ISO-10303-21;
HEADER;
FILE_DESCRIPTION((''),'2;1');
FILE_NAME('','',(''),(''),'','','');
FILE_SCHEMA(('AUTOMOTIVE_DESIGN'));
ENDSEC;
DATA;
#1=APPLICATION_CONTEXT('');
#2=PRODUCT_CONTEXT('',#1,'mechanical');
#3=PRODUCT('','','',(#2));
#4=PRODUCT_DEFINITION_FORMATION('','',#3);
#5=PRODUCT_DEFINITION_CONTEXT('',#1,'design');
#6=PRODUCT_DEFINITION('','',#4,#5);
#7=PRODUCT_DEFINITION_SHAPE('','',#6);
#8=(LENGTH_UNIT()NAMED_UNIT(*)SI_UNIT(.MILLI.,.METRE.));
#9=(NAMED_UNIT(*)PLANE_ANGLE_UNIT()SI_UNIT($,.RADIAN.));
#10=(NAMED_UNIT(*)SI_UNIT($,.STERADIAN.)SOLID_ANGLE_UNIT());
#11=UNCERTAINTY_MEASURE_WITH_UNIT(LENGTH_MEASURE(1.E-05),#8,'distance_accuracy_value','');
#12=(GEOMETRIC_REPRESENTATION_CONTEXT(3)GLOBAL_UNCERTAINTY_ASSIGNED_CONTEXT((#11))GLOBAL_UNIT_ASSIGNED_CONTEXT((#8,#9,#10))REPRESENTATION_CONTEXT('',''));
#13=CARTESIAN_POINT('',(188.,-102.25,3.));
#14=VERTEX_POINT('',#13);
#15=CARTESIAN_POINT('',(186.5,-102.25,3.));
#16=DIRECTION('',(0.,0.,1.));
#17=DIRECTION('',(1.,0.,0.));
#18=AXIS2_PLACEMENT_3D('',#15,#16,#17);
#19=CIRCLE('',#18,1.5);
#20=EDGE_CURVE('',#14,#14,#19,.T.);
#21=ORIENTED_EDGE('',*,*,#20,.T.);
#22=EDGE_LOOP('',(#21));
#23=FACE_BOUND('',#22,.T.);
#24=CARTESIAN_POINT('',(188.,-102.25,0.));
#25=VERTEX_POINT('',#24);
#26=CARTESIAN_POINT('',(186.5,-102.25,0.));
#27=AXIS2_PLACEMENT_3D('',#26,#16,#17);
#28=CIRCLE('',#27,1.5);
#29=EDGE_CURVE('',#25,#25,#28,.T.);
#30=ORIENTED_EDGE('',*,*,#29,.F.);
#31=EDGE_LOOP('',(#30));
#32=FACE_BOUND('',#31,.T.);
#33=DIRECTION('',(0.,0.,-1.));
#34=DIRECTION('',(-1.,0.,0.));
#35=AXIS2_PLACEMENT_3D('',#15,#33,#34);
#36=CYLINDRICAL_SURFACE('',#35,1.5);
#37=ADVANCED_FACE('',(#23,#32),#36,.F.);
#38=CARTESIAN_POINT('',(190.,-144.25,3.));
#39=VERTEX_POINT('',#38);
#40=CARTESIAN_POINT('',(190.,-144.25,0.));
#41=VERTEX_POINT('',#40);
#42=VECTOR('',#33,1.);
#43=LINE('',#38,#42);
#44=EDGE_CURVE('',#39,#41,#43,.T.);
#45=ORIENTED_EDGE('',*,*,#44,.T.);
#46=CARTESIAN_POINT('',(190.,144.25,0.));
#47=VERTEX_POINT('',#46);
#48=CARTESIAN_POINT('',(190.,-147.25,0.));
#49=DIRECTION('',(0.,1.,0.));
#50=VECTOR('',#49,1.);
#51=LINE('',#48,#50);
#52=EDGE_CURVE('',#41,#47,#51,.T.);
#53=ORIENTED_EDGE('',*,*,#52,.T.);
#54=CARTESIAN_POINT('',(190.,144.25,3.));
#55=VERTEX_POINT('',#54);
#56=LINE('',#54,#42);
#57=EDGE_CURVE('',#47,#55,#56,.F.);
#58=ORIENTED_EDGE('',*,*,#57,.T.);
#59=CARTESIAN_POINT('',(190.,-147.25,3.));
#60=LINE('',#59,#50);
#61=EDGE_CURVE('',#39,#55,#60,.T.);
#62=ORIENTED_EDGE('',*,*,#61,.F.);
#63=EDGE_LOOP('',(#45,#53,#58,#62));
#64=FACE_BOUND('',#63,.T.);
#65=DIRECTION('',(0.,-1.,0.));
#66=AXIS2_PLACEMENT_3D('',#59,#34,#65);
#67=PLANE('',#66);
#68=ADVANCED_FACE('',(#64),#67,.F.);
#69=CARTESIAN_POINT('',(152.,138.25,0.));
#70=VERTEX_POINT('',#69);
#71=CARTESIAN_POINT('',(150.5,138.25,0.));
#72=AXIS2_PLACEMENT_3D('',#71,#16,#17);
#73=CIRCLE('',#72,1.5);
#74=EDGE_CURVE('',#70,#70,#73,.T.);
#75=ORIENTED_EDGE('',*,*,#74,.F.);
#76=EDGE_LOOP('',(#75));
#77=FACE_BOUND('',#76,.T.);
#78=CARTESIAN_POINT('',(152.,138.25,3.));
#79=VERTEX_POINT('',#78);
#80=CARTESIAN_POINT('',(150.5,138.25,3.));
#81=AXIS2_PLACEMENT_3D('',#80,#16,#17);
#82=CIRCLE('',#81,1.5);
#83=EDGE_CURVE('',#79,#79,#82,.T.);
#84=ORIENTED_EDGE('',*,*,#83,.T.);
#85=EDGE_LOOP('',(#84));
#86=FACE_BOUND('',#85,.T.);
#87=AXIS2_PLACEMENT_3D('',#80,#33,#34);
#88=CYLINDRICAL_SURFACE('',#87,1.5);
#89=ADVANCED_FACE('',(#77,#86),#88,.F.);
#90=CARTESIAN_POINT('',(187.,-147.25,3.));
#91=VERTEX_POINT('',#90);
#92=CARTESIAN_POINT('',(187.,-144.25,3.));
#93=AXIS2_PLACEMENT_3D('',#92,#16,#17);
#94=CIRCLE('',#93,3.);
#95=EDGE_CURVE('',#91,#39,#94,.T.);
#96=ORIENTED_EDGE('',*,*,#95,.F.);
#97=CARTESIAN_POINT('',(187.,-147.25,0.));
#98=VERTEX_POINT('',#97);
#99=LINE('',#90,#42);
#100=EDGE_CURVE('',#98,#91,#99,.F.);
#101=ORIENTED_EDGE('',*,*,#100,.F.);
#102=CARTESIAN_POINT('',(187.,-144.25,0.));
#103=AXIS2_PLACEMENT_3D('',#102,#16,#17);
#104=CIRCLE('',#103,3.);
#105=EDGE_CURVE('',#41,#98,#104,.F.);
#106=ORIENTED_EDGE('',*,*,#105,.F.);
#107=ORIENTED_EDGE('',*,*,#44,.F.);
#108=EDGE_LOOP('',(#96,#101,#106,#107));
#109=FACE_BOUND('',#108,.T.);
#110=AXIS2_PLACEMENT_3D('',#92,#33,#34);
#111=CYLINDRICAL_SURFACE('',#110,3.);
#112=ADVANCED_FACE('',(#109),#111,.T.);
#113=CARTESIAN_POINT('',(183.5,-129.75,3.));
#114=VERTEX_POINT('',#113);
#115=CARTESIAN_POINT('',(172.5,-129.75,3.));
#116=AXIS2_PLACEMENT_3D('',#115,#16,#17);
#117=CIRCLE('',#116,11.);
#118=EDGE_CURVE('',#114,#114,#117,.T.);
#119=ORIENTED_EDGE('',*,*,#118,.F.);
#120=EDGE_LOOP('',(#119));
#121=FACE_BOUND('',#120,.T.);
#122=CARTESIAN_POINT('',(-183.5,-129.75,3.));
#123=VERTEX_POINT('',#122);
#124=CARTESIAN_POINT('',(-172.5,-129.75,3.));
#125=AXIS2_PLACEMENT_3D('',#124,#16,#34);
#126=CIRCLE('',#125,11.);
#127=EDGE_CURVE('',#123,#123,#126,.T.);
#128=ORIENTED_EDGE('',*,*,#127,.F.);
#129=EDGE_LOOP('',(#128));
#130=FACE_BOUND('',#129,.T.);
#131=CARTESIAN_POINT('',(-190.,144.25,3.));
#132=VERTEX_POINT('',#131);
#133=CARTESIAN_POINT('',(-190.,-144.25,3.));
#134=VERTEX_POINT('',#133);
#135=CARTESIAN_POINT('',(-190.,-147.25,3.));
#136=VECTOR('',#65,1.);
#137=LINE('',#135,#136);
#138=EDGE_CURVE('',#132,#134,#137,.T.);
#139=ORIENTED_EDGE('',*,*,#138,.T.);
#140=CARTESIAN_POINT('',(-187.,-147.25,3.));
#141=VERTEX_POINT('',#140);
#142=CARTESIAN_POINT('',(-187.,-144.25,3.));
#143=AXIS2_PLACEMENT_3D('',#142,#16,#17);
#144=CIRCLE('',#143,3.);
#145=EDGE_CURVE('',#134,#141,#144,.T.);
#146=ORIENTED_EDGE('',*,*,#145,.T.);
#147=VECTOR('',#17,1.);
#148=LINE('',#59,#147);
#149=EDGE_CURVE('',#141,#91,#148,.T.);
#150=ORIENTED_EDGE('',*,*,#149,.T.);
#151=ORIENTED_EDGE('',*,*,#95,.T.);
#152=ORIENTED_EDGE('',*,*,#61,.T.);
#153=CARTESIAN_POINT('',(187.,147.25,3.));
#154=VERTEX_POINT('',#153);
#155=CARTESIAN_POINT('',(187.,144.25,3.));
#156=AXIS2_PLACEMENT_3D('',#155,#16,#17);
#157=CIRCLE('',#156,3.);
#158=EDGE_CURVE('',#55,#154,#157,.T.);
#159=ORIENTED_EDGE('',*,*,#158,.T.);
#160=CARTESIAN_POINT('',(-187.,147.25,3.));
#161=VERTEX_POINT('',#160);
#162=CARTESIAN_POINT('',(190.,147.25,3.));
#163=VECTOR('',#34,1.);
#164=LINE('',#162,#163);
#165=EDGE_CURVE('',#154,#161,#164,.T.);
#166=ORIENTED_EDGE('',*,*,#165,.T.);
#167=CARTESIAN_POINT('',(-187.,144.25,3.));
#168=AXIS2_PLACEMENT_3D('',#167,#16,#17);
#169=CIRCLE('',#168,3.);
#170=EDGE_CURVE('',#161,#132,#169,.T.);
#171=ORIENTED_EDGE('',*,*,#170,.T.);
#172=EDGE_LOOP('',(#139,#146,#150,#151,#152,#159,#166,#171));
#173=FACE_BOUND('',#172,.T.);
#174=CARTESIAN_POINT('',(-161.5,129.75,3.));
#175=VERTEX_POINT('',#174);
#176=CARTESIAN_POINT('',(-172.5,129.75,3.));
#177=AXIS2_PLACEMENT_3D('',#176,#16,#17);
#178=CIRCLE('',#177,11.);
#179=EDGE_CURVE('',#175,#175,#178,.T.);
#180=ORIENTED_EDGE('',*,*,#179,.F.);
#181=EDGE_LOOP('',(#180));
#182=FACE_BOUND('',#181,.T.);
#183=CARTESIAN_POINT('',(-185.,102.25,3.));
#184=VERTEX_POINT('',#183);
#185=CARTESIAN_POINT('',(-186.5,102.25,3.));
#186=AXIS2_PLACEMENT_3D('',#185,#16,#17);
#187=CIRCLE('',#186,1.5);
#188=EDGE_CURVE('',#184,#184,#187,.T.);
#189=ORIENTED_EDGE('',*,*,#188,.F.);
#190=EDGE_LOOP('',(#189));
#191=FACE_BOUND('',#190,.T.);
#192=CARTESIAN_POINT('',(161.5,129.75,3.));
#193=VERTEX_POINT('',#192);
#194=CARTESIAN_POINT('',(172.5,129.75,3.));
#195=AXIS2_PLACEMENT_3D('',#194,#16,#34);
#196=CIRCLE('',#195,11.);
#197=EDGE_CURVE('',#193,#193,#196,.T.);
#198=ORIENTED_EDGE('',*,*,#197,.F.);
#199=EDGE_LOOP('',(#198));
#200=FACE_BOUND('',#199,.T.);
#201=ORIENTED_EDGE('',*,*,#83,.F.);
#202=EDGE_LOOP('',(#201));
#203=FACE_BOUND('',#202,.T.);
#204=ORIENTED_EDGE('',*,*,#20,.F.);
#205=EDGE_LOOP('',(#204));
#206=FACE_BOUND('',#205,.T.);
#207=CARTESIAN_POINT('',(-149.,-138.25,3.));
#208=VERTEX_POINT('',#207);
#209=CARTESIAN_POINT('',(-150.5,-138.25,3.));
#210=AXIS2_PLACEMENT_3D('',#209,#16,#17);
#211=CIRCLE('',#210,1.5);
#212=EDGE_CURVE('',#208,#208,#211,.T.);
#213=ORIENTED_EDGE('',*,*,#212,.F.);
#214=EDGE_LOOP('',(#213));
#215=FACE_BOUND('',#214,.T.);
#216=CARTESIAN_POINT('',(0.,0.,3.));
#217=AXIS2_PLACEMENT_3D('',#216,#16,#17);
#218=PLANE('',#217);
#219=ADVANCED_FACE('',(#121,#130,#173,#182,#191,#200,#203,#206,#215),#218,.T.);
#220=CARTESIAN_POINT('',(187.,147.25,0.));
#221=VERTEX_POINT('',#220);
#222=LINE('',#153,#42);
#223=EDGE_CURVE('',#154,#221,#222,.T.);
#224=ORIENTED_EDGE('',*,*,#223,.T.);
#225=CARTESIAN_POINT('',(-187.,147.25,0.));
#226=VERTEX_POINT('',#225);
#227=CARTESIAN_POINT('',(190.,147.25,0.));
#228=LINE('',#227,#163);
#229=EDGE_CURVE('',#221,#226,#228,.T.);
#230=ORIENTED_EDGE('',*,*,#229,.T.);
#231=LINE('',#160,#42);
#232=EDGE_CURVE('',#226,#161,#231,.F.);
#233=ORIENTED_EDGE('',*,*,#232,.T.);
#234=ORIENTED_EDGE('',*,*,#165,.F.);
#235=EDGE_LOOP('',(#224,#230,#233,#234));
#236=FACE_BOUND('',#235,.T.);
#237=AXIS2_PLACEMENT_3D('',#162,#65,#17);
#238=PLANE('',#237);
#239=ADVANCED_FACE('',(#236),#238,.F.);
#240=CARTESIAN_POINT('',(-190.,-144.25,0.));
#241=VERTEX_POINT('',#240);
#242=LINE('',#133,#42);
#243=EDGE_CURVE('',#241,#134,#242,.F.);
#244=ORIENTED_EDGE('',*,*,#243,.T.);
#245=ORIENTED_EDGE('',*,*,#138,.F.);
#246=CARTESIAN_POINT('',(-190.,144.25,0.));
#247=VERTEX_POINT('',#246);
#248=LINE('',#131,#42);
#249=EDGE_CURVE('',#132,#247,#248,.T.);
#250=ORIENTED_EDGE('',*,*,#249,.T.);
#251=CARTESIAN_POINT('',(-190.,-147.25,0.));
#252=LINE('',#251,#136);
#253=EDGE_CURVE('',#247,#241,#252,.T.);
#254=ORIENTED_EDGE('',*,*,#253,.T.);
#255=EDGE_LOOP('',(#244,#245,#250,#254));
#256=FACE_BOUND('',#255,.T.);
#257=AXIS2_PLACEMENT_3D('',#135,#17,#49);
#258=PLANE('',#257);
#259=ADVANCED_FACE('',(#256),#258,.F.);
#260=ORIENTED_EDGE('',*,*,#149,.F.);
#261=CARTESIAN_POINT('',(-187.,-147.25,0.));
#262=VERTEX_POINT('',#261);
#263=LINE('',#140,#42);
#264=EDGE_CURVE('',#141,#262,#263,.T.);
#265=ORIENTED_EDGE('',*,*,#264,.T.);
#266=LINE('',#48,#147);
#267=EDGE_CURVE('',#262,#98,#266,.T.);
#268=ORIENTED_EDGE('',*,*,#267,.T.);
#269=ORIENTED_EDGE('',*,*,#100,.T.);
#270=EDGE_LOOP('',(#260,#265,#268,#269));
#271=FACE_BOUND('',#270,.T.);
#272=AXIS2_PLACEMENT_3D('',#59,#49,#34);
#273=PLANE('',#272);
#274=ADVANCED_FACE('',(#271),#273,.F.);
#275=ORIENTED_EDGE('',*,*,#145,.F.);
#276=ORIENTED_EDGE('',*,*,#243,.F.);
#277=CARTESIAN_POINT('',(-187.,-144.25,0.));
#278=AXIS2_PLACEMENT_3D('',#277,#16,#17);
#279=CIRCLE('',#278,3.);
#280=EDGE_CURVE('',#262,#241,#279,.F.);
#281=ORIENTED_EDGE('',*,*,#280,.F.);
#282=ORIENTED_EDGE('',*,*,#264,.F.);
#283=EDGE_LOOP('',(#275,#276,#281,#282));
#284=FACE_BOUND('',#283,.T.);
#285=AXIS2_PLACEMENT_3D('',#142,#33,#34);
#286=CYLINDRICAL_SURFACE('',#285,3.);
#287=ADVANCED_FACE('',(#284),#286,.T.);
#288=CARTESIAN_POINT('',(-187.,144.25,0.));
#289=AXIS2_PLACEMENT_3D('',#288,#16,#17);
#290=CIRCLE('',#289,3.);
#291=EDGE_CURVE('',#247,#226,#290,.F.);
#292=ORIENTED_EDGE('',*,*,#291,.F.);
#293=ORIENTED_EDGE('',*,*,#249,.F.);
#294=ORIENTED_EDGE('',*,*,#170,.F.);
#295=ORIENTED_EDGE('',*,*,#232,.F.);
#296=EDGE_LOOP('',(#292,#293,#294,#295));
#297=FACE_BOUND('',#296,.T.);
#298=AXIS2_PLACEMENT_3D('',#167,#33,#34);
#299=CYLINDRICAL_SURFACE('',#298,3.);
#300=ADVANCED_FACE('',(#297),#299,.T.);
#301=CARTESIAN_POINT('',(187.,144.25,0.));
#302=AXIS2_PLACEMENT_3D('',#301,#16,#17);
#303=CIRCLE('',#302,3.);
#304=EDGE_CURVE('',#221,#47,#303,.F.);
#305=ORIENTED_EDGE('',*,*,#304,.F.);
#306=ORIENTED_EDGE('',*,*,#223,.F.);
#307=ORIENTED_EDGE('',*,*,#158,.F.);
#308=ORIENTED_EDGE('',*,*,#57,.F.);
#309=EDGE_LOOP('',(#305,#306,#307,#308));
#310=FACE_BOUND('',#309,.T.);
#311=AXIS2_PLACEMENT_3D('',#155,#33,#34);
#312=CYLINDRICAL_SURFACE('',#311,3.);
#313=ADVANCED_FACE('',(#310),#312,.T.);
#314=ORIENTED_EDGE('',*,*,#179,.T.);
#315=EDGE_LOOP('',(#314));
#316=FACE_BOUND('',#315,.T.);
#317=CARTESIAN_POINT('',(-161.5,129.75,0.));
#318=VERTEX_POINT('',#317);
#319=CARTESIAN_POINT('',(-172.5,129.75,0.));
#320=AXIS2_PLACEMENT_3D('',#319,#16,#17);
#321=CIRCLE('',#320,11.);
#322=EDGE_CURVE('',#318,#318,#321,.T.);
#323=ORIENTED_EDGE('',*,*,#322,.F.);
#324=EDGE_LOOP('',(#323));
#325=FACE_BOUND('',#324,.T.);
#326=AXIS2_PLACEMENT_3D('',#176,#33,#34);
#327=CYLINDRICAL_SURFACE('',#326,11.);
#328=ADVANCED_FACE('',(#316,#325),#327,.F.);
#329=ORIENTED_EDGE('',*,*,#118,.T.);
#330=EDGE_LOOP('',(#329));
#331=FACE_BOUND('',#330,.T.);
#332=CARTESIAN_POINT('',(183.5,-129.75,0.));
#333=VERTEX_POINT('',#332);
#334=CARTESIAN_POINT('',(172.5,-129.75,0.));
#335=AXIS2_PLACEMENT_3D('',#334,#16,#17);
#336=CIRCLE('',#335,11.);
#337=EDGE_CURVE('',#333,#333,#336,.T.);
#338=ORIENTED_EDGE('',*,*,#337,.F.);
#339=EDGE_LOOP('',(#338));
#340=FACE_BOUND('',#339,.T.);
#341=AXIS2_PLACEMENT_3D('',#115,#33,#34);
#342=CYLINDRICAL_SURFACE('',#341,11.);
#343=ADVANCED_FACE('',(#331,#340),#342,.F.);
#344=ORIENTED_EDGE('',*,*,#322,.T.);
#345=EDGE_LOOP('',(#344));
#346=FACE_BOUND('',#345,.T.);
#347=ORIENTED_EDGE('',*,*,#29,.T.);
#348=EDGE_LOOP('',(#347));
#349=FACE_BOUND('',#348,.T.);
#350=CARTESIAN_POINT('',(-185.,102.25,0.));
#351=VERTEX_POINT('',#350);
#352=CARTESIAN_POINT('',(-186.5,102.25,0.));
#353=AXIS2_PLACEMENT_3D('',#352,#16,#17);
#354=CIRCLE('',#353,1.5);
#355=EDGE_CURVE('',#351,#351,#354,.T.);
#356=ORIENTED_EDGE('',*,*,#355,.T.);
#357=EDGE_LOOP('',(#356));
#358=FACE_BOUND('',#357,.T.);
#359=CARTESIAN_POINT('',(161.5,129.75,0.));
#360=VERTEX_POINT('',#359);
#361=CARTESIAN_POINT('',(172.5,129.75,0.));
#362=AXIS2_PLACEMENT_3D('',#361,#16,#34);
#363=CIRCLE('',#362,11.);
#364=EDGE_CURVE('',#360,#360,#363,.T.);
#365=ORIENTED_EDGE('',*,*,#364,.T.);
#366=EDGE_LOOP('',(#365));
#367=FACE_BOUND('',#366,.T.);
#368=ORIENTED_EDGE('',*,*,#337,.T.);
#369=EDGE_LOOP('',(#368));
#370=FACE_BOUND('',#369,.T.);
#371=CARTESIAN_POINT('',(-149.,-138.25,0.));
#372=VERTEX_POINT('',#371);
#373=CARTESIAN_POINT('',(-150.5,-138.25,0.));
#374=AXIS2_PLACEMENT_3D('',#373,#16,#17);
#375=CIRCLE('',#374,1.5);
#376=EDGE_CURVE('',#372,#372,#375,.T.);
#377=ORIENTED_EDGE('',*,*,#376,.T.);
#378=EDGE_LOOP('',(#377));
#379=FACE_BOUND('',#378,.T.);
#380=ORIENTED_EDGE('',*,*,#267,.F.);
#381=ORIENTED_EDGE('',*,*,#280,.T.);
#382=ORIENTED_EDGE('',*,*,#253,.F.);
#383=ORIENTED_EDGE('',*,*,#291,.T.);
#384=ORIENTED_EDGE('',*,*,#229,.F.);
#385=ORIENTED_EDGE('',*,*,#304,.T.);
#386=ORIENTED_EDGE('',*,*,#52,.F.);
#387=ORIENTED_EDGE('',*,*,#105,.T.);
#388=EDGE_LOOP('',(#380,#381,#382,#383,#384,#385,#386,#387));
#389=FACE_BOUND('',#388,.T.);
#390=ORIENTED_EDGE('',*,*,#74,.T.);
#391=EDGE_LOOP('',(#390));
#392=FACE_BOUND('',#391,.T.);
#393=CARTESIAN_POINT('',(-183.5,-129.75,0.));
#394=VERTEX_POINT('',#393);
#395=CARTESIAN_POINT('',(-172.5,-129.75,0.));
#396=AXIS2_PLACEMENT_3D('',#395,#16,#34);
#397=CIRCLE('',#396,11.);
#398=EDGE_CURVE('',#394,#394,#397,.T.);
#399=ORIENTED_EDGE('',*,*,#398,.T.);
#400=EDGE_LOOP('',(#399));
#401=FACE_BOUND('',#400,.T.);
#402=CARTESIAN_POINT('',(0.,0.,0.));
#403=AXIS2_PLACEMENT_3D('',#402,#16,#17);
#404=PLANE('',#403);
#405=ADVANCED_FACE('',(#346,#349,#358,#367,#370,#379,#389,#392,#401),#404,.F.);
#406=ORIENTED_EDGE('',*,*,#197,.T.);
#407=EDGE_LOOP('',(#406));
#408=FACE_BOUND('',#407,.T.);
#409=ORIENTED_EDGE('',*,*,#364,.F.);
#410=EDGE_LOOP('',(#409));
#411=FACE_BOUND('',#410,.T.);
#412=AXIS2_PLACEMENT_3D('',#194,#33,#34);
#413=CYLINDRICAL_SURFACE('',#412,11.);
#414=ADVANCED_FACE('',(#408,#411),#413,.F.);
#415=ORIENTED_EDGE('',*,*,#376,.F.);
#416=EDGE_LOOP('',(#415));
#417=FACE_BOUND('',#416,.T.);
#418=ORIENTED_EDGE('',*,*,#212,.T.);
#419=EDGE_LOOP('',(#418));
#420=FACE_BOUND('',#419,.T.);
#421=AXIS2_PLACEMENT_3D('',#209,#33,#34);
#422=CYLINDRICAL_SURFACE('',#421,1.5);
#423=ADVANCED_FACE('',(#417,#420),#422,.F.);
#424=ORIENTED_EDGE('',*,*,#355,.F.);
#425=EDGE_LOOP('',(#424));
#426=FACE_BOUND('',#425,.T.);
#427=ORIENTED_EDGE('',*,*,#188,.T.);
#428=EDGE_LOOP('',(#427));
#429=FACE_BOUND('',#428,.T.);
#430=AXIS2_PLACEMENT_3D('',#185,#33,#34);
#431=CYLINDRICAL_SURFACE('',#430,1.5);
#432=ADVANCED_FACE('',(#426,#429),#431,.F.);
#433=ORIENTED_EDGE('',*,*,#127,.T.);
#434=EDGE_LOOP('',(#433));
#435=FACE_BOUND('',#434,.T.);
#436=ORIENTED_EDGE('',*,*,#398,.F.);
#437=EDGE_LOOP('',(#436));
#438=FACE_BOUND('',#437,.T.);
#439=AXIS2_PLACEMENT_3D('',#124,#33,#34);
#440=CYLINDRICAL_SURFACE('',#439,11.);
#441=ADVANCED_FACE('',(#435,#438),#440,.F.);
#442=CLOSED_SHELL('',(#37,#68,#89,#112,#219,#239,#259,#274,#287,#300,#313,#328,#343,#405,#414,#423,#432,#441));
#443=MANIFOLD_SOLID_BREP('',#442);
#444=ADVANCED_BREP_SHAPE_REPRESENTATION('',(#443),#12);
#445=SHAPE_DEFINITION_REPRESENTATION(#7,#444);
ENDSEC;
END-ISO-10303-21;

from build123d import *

# Parameters (mm, degrees)
SKETCH1_W           = 380
SKETCH1_H           = 294.5
SKETCH1_R           = 11
SKETCH1_R_2         = 1.5
BOSS_EXTRUDE1_DEPTH = 3
FILLET1_R           = 3


with BuildPart() as part:
    # Sketch1 → Boss-Extrude1 (new body)
    with BuildSketch(Plane.XY):
        Rectangle(SKETCH1_W, SKETCH1_H)
        with Locations((-172.5, 129.75)):
            Circle(SKETCH1_R, mode=Mode.SUBTRACT)
        with Locations(Location((172.5, 129.75, 0), (0, 0, 180))):
            Circle(SKETCH1_R, mode=Mode.SUBTRACT)
        with Locations((172.5, -129.75)):
            Circle(SKETCH1_R, mode=Mode.SUBTRACT)
        with Locations(Location((-172.5, -129.75, 0), (0, 0, 180))):
            Circle(SKETCH1_R, mode=Mode.SUBTRACT)
        with Locations((150.5, 138.25)):
            Circle(SKETCH1_R_2, mode=Mode.SUBTRACT)
        with Locations((-186.5, 102.25)):
            Circle(SKETCH1_R_2, mode=Mode.SUBTRACT)
        with Locations((-150.5, -138.25)):
            Circle(SKETCH1_R_2, mode=Mode.SUBTRACT)
        with Locations((186.5, -102.25)):
            Circle(SKETCH1_R_2, mode=Mode.SUBTRACT)
    extrude(amount=BOSS_EXTRUDE1_DEPTH)

    # Fillet1
    fillet1_edges = [part.edges().sort_by_distance(p)[0] for p in [
        (-190, 147.25, 1.5),
        (190, 147.25, 1.5),
        (190, -147.25, 1.5),
        (-190, -147.25, 1.5),
    ]]
    fillet(fillet1_edges, radius=FILLET1_R)


solid = part.part
